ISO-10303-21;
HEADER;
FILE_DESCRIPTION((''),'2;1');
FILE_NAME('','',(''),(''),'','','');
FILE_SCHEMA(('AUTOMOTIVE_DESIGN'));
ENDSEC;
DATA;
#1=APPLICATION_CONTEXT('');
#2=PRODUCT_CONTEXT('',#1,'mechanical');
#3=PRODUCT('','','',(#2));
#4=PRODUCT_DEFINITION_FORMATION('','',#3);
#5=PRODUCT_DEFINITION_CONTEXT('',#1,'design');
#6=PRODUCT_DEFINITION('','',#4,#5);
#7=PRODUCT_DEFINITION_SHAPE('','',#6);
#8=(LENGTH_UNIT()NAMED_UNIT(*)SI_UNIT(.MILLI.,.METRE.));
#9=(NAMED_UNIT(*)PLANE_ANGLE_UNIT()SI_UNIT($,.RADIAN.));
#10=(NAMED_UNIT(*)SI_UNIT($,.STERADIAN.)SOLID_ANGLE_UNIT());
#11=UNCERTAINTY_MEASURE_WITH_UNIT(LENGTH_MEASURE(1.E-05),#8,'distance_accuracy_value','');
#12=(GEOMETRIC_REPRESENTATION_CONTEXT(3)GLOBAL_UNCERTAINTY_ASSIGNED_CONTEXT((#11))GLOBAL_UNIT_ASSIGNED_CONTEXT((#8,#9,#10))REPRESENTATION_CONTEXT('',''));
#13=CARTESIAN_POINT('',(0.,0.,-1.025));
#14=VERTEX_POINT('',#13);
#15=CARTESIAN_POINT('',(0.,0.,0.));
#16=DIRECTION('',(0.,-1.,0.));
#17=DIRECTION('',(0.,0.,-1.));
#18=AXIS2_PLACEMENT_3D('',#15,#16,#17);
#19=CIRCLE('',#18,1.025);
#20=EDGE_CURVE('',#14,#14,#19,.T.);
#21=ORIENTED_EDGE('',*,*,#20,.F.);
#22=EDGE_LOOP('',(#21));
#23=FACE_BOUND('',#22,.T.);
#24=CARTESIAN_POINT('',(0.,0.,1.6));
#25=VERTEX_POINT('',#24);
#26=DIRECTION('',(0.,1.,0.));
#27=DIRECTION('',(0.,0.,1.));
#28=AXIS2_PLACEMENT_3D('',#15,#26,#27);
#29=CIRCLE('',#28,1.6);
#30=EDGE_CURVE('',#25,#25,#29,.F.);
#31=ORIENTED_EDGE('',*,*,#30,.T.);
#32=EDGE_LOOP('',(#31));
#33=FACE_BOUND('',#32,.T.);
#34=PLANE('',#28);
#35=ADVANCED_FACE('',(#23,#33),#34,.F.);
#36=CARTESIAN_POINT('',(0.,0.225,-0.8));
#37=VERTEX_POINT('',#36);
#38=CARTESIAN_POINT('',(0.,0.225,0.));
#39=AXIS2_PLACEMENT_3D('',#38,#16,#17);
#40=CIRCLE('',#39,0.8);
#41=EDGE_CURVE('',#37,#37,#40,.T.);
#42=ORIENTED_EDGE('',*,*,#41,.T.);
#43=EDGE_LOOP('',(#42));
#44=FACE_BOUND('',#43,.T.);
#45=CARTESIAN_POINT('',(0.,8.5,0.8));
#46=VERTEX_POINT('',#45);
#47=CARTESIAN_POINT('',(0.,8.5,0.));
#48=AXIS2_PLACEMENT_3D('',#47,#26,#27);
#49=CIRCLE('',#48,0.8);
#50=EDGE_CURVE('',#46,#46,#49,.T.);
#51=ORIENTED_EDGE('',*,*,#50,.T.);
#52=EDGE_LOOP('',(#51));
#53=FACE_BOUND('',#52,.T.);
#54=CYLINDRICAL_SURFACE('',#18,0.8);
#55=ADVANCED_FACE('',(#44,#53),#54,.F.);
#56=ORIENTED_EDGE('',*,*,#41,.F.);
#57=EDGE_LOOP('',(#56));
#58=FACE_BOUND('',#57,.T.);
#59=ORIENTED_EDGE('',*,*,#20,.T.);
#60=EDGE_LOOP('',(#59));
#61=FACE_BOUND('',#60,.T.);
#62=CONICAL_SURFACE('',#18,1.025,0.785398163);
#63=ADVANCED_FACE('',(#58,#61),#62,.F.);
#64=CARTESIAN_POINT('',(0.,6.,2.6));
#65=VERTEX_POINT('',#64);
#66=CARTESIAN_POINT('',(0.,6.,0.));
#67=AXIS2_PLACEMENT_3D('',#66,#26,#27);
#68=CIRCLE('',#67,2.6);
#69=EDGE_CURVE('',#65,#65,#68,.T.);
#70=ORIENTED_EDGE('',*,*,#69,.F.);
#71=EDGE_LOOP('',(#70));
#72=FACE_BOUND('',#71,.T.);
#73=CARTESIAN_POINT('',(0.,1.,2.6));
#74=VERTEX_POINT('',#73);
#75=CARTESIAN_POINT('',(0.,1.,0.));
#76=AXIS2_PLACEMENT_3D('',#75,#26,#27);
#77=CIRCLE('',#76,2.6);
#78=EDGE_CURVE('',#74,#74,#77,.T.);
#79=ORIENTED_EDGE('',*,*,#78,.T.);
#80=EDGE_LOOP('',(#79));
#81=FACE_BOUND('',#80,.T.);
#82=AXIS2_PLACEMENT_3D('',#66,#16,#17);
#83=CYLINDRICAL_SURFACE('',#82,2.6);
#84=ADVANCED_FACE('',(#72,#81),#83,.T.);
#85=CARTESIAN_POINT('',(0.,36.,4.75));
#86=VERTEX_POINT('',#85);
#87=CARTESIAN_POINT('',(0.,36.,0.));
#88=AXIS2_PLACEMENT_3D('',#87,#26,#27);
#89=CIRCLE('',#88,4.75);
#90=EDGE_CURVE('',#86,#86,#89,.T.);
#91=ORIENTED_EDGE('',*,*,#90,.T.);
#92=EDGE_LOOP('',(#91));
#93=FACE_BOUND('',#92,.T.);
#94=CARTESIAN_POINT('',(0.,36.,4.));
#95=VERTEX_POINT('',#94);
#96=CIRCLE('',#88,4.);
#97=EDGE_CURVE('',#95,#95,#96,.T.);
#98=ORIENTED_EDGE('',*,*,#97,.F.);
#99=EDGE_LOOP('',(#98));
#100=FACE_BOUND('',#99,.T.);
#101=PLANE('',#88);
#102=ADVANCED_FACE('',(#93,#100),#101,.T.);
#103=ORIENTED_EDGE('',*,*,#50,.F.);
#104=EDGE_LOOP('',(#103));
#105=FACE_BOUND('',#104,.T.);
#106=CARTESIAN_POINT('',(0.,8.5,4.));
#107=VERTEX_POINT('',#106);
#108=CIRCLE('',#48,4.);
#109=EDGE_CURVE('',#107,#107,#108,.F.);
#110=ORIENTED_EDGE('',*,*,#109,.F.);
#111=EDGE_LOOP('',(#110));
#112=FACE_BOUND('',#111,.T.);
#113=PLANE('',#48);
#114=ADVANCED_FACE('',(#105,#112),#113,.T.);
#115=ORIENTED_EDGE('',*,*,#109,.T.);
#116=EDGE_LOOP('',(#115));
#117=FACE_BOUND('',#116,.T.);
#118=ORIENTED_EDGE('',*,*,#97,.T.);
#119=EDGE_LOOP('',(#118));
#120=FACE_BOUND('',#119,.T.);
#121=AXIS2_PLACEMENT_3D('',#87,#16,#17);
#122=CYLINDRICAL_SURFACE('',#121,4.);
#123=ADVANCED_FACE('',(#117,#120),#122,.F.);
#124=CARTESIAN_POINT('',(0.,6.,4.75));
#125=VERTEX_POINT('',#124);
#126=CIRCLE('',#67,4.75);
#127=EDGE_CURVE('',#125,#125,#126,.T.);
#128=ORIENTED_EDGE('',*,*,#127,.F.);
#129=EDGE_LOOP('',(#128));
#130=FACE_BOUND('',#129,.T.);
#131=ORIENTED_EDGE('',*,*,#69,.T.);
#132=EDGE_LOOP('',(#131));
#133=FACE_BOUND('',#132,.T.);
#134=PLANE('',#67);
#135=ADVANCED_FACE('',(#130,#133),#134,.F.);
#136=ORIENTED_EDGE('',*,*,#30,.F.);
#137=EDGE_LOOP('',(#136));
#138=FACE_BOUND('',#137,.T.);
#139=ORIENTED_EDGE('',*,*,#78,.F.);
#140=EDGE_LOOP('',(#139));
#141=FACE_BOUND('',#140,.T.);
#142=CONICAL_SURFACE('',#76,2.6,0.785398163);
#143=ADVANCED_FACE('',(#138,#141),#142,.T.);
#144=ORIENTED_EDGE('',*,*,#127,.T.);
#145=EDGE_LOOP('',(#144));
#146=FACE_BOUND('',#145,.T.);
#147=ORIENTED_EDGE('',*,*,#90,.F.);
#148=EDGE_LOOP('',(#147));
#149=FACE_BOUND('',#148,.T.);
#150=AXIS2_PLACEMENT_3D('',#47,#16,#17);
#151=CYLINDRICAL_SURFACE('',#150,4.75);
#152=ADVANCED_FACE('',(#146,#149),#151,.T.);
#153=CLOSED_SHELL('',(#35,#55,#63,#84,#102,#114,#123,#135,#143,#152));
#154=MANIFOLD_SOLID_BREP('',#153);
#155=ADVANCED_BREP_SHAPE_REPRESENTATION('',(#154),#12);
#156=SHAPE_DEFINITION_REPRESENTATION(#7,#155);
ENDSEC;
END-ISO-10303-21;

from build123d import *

# Parameters (mm, degrees)
SKETCH1_R                   = 2.6
BOSS_EXTRUDE1_DEPTH         = 6
SKETCH2_R                   = 4.75
BOSS_EXTRUDE3_DEPTH         = 2.5
SKETCH3_R                   = 4.75
SKETCH3_R_2                 = 4
BOSS_EXTRUDE4_DEPTH         = 27.5
M2_TAPPED_HOLE1_D           = 1.6
M2_TAPPED_HOLE1_CSINK_D     = 2.05
M2_TAPPED_HOLE1_CSINK_ANGLE = 90
CHAMFER3_SIZE               = 1


with BuildPart() as part:
    # Sketch1 → Boss-Extrude1 (new body)
    with BuildSketch(Plane(origin=(0, 0, 0), x_dir=(1, 0, 0), z_dir=(0, 1, 0))):
        with Locations(Location((0, 0, 0), (0, 0, 270))):
            Circle(SKETCH1_R)
    extrude(amount=BOSS_EXTRUDE1_DEPTH)

    # Sketch2 → Boss-Extrude3 (add)
    with BuildSketch(Plane(origin=(0, 6, 0), x_dir=(1, 0, 0), z_dir=(0, 1, 0))):
        with Locations(Location((0, 0, 0), (0, 0, 270))):
            Circle(SKETCH2_R)
    extrude(amount=BOSS_EXTRUDE3_DEPTH)

    # Sketch3 → Boss-Extrude4 (add)
    with BuildSketch(Plane(origin=(0, 8.5, 0), x_dir=(1, 0, 0), z_dir=(0, 1, 0))):
        with Locations(Location((0, 0, 0), (0, 0, 270))):
            Circle(SKETCH3_R)
        with Locations(Location((0, 0, 0), (0, 0, 270))):
            Circle(SKETCH3_R_2, mode=Mode.SUBTRACT)
    extrude(amount=BOSS_EXTRUDE4_DEPTH)

    # M2 Tapped Hole1 (through all)
    with Locations(Plane(origin=(0, 0, 0), x_dir=(-1, 0, 0), z_dir=(0, -1, 0))):
        with Locations((0, 0)):
            CounterSinkHole(M2_TAPPED_HOLE1_D / 2, M2_TAPPED_HOLE1_CSINK_D / 2, counter_sink_angle=M2_TAPPED_HOLE1_CSINK_ANGLE)

    # Chamfer3
    chamfer3_edges = [part.edges().sort_by_distance(p)[0] for p in [
        (0, 0, -2.6),
    ]]
    chamfer(chamfer3_edges, length=CHAMFER3_SIZE)


solid = part.part
